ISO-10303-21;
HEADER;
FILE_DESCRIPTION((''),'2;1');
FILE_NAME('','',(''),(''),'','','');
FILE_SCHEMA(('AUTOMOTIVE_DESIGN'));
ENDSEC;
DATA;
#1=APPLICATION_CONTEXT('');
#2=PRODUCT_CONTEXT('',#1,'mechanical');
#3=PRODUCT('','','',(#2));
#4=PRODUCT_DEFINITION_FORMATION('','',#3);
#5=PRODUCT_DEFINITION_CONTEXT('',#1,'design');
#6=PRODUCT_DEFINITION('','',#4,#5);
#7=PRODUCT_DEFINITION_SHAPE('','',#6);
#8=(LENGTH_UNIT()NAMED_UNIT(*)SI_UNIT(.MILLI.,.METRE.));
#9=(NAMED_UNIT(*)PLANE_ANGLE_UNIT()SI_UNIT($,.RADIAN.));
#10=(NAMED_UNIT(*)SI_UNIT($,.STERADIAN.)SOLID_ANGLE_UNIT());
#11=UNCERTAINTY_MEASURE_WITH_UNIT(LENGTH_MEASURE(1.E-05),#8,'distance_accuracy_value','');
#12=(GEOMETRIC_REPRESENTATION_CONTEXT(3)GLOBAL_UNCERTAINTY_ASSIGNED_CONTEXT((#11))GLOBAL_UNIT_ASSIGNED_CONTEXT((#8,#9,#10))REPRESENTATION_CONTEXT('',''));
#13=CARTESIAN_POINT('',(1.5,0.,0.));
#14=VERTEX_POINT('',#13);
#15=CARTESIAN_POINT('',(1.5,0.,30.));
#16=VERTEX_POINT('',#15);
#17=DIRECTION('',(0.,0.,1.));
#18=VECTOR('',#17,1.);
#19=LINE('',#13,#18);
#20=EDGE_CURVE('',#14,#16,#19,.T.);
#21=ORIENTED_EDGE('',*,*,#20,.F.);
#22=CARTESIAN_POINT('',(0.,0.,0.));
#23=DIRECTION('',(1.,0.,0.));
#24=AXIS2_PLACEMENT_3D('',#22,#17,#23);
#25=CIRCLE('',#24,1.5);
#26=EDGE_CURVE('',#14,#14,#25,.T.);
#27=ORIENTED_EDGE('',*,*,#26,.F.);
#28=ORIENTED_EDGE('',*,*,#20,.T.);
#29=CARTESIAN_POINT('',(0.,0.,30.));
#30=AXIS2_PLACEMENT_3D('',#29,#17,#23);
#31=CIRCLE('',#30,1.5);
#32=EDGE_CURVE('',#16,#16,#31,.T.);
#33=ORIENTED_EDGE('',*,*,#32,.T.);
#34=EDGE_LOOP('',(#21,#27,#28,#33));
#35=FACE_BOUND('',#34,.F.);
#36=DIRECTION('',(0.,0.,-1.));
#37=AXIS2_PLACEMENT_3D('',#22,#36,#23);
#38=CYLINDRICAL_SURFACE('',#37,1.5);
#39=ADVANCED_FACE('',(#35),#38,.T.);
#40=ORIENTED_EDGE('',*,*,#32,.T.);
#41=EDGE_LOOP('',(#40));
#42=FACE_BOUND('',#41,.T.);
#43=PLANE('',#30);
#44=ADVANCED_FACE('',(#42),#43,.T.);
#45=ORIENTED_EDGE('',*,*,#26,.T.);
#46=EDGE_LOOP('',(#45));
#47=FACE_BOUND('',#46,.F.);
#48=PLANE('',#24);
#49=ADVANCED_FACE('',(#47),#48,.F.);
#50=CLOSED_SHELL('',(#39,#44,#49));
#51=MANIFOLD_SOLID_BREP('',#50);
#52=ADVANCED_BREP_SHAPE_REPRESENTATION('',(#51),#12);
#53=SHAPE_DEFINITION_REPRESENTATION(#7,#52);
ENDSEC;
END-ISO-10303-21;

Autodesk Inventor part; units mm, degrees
ref_plane "YZ Plane" through (0, 0, 0) normal (1, 0, 0) x (0, 1, 0)
ref_plane "XZ Plane" through (0, 0, 0) normal (0, 1, 0) x (-1, 0, 0)
ref_plane "XY Plane" through (0, 0, 0) normal (0, 0, 1) x (1, 0, 0)
sketch "Sketch1" plane through (0, 0, 0) normal (0, 0, 1) x (1, 0, 0)
  circle A0 centre (0, 0) radius 1.5
  dimension "d0" = 3
extrude "Extrusion1" add sketch "Sketch1" along normal blind 30
properties part number "Extra Shaft"
